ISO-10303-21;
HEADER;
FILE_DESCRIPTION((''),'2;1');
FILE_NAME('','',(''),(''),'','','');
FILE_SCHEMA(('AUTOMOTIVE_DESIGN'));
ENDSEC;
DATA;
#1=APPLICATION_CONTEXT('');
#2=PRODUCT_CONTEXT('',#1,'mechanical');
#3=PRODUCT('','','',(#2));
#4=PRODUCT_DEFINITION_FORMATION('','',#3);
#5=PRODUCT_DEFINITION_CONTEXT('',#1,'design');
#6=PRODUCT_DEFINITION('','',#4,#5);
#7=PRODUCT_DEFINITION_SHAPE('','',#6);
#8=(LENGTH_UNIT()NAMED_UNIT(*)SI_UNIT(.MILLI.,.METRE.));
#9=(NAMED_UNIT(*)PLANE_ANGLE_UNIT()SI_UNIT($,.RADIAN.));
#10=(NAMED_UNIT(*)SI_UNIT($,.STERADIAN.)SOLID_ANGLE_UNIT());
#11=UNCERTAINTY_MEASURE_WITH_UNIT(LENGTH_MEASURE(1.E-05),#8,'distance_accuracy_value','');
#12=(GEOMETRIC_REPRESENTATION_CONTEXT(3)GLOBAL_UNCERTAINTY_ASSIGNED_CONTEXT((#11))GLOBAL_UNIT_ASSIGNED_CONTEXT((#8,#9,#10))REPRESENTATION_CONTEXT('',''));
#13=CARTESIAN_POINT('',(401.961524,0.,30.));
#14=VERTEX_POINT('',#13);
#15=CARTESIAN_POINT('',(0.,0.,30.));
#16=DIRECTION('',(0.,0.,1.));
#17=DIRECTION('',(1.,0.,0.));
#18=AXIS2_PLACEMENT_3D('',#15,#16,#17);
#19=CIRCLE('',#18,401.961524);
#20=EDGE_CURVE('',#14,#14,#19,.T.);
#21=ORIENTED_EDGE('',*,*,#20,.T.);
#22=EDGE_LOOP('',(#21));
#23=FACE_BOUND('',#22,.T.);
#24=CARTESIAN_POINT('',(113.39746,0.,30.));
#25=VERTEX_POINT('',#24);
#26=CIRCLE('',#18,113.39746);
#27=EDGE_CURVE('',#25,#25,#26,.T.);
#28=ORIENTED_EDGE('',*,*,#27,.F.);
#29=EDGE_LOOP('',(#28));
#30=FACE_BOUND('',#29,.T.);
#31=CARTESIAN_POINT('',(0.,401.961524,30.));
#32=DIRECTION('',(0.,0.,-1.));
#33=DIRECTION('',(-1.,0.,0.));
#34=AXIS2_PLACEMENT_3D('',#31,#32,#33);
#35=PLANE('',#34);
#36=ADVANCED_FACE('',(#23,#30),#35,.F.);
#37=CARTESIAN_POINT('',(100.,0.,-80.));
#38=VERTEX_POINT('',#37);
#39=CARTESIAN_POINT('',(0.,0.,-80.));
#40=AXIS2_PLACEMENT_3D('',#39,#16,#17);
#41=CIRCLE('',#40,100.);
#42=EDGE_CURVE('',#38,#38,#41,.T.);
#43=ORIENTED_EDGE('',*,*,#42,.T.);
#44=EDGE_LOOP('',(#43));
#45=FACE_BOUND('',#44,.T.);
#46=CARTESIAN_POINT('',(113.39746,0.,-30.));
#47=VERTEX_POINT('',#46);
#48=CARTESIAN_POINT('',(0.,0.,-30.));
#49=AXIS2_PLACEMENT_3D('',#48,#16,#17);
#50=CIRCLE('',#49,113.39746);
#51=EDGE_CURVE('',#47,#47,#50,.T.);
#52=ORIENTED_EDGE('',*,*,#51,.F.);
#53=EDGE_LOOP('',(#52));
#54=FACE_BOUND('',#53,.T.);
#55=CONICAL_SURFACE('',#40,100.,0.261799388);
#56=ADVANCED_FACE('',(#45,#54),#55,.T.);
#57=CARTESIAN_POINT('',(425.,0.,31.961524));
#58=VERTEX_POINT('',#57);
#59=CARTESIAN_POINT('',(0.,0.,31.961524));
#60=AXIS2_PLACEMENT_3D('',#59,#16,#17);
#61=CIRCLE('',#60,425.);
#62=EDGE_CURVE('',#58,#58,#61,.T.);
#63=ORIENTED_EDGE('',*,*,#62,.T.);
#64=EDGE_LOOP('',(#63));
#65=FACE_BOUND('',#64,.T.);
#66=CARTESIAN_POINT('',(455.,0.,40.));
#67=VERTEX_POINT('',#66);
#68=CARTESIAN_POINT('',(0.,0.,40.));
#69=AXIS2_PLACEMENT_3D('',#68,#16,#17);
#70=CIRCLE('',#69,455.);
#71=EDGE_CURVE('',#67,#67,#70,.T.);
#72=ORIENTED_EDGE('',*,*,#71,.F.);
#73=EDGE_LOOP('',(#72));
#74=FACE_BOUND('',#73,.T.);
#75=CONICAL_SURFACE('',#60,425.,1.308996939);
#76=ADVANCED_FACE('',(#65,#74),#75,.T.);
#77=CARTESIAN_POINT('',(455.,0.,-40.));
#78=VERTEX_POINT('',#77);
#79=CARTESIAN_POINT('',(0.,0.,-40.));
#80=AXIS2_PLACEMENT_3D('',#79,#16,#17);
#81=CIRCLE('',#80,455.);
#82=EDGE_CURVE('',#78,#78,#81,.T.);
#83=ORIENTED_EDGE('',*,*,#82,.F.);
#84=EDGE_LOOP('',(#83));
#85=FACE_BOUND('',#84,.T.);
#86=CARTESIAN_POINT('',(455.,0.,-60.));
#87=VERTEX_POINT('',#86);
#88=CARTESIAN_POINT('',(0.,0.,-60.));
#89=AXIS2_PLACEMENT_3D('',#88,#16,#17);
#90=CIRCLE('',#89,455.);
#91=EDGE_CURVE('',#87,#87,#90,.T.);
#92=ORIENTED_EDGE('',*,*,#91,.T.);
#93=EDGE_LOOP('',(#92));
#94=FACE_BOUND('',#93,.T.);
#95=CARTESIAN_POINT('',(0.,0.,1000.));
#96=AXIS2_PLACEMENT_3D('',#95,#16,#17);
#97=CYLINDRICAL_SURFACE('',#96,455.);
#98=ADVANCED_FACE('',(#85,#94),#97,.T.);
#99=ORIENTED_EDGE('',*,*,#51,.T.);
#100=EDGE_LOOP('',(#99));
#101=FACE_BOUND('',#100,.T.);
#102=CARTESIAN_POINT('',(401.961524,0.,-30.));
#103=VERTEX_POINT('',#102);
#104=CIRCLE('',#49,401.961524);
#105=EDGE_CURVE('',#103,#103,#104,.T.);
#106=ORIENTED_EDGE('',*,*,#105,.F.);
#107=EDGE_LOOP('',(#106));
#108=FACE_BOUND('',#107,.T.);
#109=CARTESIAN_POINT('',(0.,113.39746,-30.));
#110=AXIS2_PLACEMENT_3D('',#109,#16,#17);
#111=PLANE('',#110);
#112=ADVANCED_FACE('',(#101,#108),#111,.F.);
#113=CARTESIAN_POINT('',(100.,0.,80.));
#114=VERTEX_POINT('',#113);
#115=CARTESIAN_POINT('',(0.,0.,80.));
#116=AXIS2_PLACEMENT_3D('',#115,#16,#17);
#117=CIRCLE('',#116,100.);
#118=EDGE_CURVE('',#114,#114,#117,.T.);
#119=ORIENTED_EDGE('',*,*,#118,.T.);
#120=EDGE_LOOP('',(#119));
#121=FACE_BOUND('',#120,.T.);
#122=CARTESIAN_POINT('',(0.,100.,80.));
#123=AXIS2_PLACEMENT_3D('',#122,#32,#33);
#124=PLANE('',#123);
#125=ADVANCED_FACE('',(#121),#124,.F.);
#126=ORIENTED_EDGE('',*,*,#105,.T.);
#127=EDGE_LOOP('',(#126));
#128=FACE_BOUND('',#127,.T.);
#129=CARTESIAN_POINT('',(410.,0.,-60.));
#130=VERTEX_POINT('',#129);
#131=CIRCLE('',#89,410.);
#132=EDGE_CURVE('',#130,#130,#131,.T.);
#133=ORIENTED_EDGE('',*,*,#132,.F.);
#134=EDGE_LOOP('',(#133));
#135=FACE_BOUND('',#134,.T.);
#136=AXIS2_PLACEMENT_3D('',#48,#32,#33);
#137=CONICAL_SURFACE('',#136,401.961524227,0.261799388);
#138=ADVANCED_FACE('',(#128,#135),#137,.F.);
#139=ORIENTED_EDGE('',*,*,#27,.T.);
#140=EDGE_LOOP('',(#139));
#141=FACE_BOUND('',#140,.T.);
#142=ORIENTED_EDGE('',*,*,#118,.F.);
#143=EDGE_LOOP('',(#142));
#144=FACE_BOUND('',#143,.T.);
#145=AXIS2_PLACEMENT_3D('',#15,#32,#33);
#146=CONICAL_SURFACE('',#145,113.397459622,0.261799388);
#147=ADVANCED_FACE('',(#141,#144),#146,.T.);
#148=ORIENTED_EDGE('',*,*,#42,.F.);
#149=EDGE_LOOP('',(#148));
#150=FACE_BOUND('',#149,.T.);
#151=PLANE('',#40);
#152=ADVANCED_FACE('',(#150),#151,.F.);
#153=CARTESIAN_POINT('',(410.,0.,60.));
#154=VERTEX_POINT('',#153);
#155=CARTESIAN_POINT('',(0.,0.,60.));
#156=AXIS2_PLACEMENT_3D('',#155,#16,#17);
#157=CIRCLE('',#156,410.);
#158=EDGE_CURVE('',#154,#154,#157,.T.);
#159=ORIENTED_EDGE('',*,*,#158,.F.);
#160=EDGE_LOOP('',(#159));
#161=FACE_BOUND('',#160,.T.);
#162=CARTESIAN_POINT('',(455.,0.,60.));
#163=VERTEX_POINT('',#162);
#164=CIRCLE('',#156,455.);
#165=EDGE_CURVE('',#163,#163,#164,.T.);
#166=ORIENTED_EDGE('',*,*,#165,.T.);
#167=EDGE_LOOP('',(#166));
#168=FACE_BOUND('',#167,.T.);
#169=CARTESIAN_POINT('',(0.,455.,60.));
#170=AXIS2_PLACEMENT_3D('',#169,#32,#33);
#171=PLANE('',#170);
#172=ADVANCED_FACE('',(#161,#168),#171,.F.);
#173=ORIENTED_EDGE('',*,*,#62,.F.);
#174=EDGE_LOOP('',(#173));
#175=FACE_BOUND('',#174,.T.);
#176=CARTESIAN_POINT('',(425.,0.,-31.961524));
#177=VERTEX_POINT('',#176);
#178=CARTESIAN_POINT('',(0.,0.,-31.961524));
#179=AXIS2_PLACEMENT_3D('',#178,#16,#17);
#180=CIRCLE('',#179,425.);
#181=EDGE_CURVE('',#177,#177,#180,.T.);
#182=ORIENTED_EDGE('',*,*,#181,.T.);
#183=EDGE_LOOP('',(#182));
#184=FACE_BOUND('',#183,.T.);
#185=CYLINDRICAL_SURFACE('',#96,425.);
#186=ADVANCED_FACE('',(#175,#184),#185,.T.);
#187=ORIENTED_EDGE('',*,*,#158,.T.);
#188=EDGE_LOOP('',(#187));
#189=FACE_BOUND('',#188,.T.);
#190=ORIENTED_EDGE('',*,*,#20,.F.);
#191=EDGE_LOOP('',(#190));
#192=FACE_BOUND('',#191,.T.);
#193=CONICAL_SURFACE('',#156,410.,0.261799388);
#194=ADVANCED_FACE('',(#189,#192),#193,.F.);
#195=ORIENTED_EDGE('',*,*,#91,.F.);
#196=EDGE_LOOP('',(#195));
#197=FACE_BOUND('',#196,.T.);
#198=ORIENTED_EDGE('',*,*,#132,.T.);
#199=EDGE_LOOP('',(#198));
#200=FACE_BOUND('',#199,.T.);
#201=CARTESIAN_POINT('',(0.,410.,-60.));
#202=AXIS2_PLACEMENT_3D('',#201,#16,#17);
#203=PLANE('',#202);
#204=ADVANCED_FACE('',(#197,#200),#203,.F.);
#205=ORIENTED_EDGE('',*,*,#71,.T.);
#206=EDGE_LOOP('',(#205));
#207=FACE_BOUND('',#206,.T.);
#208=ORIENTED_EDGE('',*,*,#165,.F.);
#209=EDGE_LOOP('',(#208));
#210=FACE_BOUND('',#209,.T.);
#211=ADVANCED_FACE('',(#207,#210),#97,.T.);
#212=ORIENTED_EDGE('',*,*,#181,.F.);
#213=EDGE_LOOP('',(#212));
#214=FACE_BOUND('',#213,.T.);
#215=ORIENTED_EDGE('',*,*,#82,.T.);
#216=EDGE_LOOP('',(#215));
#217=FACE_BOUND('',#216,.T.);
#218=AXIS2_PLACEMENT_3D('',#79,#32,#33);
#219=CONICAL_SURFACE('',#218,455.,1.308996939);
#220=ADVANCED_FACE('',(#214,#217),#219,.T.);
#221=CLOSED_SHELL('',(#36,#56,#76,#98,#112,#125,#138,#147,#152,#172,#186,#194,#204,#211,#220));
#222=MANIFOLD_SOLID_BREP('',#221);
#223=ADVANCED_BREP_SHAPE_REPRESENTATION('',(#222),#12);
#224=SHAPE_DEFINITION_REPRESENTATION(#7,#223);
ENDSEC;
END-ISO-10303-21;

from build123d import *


with BuildPart() as part:
    # Sketch1 → Revolve1 (revolve)
    with BuildSketch(Plane(origin=(0, 0, 0), x_dir=(0, 0, -1), z_dir=(1, 0, 0)), mode=Mode.PRIVATE) as revolve1_sk:
        Polygon((-80, 0), (80, 0), (80, 100), (30, 113.397459622), (30, 401.961524227), (60, 410), (60, 455), (40, 455), (31.961524227, 425), (-31.961524227, 425), (-40, 455), (-60, 455), (-60, 410), (-30, 401.961524227), (-30, 113.397459622), (-80, 100), align=None)
    revolve(revolve1_sk.sketch.rotate(Axis((0, 0, 1000), (0, 0, -1)), 90), axis=Axis((0, 0, 1000), (0, 0, -1)))


solid = part.part
